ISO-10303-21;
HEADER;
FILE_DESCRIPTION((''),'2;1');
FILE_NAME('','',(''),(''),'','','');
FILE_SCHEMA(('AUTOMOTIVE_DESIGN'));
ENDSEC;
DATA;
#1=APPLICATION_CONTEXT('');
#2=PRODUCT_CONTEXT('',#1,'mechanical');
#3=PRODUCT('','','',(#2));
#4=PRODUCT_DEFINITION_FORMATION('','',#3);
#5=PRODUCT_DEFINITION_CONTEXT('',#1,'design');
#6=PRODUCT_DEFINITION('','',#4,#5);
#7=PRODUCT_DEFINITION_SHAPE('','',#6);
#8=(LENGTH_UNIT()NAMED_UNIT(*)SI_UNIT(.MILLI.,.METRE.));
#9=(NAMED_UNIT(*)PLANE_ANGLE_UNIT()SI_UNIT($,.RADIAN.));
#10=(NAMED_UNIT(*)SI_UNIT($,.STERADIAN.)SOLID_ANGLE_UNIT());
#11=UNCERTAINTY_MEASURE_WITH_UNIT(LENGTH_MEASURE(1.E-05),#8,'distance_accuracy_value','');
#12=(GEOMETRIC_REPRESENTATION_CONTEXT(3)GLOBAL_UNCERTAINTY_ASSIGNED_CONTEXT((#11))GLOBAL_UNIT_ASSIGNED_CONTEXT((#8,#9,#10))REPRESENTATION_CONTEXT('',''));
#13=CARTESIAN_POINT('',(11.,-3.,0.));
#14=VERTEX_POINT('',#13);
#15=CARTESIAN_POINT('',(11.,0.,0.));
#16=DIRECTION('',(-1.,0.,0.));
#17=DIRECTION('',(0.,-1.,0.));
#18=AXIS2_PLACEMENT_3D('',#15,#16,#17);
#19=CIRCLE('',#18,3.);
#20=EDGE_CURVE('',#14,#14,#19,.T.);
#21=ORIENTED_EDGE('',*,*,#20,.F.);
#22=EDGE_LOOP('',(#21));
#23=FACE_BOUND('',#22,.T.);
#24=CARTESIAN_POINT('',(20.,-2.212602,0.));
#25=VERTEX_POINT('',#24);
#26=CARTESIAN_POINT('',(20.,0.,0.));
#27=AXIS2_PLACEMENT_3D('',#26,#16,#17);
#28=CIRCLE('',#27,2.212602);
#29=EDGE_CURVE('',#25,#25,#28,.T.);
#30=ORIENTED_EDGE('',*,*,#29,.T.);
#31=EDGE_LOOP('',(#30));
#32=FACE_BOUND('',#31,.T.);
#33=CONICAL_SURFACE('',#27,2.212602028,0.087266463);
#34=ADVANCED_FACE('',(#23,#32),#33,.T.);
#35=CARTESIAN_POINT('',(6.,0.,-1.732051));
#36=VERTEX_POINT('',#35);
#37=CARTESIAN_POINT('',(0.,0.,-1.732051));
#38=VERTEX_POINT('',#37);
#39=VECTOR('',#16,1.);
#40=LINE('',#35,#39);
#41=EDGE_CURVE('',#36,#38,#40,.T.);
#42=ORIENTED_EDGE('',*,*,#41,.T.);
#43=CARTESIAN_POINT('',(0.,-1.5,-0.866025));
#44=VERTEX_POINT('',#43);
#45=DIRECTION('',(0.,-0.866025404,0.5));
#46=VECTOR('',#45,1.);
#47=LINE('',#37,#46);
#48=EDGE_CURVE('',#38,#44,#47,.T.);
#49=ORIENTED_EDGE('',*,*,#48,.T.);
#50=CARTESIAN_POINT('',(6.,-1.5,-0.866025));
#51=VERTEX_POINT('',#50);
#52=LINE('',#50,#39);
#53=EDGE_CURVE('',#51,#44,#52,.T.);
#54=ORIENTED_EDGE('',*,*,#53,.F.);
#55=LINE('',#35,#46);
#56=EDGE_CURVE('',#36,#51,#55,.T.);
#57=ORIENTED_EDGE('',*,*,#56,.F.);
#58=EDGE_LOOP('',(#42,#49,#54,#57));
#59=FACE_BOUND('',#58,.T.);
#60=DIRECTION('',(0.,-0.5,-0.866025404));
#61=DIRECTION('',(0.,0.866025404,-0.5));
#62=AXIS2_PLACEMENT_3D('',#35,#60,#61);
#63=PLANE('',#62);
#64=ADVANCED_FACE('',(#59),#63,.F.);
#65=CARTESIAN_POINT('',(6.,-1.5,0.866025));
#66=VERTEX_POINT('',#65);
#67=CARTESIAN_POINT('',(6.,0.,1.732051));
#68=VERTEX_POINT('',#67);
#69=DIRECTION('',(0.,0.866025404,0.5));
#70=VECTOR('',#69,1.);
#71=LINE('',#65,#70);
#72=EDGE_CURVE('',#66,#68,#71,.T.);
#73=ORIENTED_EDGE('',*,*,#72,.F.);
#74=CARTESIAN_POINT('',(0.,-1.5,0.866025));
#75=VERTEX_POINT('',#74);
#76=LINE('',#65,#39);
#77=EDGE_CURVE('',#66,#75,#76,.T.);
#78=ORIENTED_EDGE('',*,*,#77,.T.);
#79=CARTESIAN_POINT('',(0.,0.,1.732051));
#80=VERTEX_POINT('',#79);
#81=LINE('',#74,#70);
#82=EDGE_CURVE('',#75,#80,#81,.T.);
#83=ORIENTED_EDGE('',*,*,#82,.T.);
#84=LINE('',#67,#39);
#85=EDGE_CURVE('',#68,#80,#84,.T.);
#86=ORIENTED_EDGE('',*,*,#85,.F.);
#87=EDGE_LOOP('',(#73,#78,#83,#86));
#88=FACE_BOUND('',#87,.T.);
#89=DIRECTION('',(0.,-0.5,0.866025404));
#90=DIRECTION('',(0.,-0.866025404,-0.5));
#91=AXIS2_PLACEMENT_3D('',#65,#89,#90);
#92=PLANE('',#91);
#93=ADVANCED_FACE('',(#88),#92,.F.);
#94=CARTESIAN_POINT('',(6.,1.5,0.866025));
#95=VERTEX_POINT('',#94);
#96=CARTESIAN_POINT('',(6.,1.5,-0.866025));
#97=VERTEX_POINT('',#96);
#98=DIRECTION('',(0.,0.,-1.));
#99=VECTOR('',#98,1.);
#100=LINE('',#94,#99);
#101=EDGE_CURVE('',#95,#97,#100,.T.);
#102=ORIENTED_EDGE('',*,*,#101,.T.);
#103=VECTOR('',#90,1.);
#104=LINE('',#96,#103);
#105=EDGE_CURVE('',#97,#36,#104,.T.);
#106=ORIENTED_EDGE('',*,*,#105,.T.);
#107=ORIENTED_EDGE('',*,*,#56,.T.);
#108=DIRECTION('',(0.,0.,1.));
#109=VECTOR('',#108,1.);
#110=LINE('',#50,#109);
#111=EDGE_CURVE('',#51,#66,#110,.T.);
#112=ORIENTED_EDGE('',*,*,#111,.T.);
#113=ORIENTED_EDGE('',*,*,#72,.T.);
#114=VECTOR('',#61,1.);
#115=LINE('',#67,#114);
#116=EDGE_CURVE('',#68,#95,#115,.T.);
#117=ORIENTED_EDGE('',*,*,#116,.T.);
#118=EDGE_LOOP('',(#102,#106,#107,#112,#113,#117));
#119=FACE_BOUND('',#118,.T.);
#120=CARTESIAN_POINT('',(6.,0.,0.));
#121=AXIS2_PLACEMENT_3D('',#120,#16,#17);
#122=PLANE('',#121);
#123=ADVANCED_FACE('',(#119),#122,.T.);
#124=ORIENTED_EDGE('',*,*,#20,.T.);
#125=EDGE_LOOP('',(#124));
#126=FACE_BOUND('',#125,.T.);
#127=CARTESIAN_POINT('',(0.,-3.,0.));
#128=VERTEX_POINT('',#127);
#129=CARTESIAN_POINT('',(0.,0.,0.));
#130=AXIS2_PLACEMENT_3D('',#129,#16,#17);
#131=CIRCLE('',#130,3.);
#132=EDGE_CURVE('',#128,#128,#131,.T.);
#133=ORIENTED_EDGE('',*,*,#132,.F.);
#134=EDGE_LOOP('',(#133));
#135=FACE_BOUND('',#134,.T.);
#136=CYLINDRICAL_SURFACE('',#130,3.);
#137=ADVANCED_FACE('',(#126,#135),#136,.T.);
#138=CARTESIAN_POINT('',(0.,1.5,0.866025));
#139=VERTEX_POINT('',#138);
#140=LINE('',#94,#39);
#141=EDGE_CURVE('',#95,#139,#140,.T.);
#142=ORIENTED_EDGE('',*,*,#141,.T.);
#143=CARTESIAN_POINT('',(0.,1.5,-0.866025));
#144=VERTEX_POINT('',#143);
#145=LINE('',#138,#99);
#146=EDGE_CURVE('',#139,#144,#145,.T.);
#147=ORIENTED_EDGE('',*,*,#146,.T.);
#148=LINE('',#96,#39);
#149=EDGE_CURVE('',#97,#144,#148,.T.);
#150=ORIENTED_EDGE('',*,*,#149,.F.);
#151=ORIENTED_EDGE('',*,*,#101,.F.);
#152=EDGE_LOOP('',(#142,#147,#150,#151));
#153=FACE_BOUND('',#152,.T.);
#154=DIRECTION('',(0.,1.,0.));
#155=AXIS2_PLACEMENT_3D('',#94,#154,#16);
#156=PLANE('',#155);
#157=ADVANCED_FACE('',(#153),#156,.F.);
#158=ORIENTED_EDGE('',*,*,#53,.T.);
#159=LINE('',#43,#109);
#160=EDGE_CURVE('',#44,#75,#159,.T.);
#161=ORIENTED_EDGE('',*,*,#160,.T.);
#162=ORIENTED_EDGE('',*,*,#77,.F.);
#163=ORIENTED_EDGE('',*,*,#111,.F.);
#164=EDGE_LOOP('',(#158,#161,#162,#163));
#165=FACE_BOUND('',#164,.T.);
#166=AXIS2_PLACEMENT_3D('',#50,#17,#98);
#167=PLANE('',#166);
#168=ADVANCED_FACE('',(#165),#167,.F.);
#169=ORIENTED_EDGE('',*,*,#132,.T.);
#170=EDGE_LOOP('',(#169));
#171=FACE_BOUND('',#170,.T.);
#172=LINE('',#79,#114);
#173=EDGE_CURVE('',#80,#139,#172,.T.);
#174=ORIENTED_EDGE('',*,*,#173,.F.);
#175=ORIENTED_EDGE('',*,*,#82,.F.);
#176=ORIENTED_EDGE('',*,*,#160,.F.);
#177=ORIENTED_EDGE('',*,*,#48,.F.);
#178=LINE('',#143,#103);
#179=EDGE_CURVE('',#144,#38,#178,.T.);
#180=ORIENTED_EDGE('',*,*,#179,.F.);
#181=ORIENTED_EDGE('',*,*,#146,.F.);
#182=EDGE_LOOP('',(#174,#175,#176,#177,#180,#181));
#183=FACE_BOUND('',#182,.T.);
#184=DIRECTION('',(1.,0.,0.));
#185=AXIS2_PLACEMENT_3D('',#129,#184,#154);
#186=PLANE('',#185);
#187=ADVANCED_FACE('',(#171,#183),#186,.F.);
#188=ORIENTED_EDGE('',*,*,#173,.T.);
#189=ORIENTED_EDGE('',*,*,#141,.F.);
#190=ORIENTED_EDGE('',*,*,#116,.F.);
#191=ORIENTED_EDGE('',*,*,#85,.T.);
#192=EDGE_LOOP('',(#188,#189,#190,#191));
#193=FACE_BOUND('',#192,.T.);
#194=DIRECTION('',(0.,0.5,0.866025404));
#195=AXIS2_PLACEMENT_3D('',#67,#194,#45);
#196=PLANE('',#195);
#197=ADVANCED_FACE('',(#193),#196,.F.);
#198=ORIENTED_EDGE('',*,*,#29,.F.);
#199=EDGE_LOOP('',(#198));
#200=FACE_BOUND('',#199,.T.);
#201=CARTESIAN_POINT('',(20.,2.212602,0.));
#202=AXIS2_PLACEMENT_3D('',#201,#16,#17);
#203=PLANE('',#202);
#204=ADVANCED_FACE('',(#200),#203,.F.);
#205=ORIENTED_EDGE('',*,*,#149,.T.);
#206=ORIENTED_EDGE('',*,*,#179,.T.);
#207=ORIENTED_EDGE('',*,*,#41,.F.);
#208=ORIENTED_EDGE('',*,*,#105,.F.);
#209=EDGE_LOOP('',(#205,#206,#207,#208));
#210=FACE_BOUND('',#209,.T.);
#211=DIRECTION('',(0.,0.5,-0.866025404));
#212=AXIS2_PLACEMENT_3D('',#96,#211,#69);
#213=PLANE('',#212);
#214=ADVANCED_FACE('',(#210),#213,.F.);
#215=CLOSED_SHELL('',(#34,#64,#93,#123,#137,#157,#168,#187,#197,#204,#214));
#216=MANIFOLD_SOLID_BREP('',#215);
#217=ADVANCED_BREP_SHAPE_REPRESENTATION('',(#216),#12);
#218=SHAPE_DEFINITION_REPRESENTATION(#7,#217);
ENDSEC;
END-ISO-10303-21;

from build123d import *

# Parameters (mm, degrees)
WYTNIJ_WYCI_GNI_CIE1_DEPTH = 6


with BuildPart() as part:
    # Szkic1 → Obrót1 (revolve)
    with BuildSketch(Plane.XY, mode=Mode.PRIVATE) as obr_t1_sk:
        Polygon((0, 0), (0, 3), (11, 3), (20, 2.212602028), (20, 0), align=None)
    revolve(obr_t1_sk.sketch.rotate(Axis((0, 0, 0), (1, 0, 0)), 180), axis=Axis((0, 0, 0), (1, 0, 0)))

    # Szkic2 → Wytnij-wyciągnięcie1 (cut)
    with BuildSketch(Plane.ZY):
        Polygon((1.732050808, 0), (0.866025404, 1.5), (-0.866025404, 1.5), (-1.732050808, 0), (-0.866025404, -1.5), (0.866025404, -1.5), align=None)
    extrude(amount=-WYTNIJ_WYCI_GNI_CIE1_DEPTH, mode=Mode.SUBTRACT)


solid = part.part
